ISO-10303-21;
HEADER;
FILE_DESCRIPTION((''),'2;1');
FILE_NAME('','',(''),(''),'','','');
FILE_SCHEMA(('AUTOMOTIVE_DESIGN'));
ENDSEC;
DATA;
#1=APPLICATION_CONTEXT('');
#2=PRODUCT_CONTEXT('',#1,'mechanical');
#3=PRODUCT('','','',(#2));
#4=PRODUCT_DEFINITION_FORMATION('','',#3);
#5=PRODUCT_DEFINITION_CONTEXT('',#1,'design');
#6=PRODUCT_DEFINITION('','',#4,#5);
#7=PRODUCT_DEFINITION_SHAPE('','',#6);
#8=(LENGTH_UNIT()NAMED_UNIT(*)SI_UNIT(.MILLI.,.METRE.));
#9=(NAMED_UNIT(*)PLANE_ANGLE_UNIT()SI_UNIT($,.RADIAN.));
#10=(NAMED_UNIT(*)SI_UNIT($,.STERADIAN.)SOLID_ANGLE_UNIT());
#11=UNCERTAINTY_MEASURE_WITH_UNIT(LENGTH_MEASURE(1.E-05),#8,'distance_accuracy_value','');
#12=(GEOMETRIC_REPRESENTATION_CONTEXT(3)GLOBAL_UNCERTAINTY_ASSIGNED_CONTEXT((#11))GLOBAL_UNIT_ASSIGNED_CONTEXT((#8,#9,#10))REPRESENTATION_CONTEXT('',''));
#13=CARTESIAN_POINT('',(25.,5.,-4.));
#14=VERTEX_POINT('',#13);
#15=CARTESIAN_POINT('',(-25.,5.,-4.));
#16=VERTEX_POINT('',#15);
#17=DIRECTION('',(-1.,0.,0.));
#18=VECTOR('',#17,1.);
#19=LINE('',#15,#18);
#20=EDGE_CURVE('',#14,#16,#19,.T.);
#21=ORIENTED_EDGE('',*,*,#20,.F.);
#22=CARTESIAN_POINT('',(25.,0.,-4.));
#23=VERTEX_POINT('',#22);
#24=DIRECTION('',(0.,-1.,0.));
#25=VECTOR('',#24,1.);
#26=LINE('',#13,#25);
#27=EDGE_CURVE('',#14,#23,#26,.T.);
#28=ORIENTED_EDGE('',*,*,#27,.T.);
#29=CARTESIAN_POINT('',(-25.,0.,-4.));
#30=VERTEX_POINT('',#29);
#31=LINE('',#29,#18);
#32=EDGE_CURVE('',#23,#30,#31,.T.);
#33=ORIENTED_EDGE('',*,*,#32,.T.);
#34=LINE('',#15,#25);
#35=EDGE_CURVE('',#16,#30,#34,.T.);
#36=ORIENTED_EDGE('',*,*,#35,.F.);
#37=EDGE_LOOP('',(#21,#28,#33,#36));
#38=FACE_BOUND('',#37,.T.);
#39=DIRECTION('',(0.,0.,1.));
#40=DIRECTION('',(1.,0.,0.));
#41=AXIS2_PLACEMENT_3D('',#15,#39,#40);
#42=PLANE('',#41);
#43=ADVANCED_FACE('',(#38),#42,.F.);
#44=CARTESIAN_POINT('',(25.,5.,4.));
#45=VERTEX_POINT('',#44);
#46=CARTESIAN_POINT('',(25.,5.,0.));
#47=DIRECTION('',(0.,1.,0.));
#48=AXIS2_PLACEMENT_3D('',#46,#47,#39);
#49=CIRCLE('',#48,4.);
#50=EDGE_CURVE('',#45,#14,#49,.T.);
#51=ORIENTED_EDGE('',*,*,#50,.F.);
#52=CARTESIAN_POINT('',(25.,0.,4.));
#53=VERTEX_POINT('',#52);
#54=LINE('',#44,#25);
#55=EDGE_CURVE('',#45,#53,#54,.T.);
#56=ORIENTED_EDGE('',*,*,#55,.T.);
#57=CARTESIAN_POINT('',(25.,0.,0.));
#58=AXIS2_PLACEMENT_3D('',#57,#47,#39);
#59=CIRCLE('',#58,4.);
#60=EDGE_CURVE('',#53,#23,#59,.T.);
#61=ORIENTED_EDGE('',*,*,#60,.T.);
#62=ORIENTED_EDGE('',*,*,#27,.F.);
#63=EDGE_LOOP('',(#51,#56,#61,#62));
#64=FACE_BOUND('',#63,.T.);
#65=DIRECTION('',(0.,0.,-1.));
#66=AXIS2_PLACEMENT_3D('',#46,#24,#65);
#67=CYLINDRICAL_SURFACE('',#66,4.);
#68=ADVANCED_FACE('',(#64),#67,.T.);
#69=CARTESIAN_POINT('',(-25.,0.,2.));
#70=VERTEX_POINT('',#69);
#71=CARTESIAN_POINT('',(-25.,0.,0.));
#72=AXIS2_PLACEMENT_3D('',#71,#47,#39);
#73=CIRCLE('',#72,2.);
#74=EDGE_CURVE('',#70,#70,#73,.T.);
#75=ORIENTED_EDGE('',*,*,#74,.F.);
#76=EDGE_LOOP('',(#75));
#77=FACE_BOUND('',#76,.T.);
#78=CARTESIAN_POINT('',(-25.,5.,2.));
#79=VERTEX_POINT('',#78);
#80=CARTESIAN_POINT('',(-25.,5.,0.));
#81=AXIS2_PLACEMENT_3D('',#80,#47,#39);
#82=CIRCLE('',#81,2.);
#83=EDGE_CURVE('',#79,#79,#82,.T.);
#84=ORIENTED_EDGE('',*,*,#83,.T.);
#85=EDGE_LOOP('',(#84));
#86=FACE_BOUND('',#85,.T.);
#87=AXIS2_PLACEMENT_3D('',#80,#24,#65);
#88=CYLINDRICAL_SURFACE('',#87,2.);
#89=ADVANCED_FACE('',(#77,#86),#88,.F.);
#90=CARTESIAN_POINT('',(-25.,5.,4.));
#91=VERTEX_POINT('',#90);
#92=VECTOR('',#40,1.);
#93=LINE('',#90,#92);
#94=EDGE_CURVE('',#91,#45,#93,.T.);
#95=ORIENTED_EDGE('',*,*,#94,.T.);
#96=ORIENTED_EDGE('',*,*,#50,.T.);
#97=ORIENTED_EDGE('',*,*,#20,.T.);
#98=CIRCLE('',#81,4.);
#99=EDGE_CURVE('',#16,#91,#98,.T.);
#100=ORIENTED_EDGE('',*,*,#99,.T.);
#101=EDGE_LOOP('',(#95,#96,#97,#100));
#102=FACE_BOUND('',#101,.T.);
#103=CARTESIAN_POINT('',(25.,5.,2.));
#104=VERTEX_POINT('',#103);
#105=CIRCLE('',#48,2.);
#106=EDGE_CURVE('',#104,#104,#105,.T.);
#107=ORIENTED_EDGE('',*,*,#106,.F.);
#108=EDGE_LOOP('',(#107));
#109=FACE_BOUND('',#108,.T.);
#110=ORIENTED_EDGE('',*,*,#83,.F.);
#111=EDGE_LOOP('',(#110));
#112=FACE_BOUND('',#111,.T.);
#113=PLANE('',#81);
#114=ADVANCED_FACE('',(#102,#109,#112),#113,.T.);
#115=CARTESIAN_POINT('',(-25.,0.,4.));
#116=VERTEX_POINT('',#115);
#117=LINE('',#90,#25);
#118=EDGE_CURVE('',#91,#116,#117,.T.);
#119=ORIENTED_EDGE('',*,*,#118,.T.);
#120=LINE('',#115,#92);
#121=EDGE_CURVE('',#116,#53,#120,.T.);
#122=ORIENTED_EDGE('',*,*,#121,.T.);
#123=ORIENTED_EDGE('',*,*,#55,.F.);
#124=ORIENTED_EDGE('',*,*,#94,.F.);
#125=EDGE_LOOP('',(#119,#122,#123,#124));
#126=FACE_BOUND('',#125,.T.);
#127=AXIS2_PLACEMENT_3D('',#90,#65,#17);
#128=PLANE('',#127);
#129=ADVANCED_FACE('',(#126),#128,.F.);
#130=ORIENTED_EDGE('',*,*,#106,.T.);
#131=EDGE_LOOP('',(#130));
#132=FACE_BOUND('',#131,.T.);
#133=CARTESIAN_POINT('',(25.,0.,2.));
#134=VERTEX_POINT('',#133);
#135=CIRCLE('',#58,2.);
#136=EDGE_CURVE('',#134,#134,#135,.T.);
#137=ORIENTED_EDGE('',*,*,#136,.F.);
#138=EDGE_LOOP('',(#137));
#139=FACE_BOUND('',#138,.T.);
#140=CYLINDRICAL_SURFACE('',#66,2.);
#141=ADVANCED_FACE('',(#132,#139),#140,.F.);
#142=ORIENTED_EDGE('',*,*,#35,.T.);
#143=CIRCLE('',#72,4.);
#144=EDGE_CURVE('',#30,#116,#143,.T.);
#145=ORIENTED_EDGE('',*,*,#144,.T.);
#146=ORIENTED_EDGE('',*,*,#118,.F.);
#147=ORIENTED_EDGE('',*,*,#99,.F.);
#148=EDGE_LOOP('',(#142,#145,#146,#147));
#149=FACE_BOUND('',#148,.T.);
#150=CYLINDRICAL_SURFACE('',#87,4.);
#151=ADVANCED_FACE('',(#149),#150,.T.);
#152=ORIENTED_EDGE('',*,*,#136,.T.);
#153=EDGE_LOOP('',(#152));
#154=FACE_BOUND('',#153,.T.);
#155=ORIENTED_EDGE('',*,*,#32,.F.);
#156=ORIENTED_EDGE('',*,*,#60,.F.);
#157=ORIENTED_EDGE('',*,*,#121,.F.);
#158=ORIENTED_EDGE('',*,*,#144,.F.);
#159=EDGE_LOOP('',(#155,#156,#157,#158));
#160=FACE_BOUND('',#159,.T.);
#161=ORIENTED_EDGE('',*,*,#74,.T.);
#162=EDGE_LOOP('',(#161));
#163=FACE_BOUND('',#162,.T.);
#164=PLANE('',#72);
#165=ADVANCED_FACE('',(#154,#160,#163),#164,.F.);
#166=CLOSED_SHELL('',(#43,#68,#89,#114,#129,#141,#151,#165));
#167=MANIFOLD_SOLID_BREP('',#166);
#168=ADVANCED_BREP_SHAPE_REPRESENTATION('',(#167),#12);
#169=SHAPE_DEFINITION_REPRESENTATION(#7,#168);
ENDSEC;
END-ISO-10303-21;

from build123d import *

# Parameters (mm, degrees)
SKETCH_1_R      = 2
EXTRUDE_1_DEPTH = 5


with BuildPart() as part:
    # 草圖1 → 填料-伸長1 (new body)
    with BuildSketch(Plane(origin=(0, 0, 0), x_dir=(1, 0, 0), z_dir=(0, 1, 0))):
        with BuildLine():
            Line((-25, 4), (25, 4))
            ThreePointArc((25, 4), (29, 0), (25, -4))
            Line((25, -4), (-25, -4))
            ThreePointArc((-25, -4), (-29, 0), (-25, 4))
        make_face()
        with Locations(Location((-25, 0, 0), (0, 0, 270))):
            Circle(SKETCH_1_R, mode=Mode.SUBTRACT)
        with Locations(Location((25, 0, 0), (0, 0, 270))):
            Circle(SKETCH_1_R, mode=Mode.SUBTRACT)
    extrude(amount=EXTRUDE_1_DEPTH)


solid = part.part
